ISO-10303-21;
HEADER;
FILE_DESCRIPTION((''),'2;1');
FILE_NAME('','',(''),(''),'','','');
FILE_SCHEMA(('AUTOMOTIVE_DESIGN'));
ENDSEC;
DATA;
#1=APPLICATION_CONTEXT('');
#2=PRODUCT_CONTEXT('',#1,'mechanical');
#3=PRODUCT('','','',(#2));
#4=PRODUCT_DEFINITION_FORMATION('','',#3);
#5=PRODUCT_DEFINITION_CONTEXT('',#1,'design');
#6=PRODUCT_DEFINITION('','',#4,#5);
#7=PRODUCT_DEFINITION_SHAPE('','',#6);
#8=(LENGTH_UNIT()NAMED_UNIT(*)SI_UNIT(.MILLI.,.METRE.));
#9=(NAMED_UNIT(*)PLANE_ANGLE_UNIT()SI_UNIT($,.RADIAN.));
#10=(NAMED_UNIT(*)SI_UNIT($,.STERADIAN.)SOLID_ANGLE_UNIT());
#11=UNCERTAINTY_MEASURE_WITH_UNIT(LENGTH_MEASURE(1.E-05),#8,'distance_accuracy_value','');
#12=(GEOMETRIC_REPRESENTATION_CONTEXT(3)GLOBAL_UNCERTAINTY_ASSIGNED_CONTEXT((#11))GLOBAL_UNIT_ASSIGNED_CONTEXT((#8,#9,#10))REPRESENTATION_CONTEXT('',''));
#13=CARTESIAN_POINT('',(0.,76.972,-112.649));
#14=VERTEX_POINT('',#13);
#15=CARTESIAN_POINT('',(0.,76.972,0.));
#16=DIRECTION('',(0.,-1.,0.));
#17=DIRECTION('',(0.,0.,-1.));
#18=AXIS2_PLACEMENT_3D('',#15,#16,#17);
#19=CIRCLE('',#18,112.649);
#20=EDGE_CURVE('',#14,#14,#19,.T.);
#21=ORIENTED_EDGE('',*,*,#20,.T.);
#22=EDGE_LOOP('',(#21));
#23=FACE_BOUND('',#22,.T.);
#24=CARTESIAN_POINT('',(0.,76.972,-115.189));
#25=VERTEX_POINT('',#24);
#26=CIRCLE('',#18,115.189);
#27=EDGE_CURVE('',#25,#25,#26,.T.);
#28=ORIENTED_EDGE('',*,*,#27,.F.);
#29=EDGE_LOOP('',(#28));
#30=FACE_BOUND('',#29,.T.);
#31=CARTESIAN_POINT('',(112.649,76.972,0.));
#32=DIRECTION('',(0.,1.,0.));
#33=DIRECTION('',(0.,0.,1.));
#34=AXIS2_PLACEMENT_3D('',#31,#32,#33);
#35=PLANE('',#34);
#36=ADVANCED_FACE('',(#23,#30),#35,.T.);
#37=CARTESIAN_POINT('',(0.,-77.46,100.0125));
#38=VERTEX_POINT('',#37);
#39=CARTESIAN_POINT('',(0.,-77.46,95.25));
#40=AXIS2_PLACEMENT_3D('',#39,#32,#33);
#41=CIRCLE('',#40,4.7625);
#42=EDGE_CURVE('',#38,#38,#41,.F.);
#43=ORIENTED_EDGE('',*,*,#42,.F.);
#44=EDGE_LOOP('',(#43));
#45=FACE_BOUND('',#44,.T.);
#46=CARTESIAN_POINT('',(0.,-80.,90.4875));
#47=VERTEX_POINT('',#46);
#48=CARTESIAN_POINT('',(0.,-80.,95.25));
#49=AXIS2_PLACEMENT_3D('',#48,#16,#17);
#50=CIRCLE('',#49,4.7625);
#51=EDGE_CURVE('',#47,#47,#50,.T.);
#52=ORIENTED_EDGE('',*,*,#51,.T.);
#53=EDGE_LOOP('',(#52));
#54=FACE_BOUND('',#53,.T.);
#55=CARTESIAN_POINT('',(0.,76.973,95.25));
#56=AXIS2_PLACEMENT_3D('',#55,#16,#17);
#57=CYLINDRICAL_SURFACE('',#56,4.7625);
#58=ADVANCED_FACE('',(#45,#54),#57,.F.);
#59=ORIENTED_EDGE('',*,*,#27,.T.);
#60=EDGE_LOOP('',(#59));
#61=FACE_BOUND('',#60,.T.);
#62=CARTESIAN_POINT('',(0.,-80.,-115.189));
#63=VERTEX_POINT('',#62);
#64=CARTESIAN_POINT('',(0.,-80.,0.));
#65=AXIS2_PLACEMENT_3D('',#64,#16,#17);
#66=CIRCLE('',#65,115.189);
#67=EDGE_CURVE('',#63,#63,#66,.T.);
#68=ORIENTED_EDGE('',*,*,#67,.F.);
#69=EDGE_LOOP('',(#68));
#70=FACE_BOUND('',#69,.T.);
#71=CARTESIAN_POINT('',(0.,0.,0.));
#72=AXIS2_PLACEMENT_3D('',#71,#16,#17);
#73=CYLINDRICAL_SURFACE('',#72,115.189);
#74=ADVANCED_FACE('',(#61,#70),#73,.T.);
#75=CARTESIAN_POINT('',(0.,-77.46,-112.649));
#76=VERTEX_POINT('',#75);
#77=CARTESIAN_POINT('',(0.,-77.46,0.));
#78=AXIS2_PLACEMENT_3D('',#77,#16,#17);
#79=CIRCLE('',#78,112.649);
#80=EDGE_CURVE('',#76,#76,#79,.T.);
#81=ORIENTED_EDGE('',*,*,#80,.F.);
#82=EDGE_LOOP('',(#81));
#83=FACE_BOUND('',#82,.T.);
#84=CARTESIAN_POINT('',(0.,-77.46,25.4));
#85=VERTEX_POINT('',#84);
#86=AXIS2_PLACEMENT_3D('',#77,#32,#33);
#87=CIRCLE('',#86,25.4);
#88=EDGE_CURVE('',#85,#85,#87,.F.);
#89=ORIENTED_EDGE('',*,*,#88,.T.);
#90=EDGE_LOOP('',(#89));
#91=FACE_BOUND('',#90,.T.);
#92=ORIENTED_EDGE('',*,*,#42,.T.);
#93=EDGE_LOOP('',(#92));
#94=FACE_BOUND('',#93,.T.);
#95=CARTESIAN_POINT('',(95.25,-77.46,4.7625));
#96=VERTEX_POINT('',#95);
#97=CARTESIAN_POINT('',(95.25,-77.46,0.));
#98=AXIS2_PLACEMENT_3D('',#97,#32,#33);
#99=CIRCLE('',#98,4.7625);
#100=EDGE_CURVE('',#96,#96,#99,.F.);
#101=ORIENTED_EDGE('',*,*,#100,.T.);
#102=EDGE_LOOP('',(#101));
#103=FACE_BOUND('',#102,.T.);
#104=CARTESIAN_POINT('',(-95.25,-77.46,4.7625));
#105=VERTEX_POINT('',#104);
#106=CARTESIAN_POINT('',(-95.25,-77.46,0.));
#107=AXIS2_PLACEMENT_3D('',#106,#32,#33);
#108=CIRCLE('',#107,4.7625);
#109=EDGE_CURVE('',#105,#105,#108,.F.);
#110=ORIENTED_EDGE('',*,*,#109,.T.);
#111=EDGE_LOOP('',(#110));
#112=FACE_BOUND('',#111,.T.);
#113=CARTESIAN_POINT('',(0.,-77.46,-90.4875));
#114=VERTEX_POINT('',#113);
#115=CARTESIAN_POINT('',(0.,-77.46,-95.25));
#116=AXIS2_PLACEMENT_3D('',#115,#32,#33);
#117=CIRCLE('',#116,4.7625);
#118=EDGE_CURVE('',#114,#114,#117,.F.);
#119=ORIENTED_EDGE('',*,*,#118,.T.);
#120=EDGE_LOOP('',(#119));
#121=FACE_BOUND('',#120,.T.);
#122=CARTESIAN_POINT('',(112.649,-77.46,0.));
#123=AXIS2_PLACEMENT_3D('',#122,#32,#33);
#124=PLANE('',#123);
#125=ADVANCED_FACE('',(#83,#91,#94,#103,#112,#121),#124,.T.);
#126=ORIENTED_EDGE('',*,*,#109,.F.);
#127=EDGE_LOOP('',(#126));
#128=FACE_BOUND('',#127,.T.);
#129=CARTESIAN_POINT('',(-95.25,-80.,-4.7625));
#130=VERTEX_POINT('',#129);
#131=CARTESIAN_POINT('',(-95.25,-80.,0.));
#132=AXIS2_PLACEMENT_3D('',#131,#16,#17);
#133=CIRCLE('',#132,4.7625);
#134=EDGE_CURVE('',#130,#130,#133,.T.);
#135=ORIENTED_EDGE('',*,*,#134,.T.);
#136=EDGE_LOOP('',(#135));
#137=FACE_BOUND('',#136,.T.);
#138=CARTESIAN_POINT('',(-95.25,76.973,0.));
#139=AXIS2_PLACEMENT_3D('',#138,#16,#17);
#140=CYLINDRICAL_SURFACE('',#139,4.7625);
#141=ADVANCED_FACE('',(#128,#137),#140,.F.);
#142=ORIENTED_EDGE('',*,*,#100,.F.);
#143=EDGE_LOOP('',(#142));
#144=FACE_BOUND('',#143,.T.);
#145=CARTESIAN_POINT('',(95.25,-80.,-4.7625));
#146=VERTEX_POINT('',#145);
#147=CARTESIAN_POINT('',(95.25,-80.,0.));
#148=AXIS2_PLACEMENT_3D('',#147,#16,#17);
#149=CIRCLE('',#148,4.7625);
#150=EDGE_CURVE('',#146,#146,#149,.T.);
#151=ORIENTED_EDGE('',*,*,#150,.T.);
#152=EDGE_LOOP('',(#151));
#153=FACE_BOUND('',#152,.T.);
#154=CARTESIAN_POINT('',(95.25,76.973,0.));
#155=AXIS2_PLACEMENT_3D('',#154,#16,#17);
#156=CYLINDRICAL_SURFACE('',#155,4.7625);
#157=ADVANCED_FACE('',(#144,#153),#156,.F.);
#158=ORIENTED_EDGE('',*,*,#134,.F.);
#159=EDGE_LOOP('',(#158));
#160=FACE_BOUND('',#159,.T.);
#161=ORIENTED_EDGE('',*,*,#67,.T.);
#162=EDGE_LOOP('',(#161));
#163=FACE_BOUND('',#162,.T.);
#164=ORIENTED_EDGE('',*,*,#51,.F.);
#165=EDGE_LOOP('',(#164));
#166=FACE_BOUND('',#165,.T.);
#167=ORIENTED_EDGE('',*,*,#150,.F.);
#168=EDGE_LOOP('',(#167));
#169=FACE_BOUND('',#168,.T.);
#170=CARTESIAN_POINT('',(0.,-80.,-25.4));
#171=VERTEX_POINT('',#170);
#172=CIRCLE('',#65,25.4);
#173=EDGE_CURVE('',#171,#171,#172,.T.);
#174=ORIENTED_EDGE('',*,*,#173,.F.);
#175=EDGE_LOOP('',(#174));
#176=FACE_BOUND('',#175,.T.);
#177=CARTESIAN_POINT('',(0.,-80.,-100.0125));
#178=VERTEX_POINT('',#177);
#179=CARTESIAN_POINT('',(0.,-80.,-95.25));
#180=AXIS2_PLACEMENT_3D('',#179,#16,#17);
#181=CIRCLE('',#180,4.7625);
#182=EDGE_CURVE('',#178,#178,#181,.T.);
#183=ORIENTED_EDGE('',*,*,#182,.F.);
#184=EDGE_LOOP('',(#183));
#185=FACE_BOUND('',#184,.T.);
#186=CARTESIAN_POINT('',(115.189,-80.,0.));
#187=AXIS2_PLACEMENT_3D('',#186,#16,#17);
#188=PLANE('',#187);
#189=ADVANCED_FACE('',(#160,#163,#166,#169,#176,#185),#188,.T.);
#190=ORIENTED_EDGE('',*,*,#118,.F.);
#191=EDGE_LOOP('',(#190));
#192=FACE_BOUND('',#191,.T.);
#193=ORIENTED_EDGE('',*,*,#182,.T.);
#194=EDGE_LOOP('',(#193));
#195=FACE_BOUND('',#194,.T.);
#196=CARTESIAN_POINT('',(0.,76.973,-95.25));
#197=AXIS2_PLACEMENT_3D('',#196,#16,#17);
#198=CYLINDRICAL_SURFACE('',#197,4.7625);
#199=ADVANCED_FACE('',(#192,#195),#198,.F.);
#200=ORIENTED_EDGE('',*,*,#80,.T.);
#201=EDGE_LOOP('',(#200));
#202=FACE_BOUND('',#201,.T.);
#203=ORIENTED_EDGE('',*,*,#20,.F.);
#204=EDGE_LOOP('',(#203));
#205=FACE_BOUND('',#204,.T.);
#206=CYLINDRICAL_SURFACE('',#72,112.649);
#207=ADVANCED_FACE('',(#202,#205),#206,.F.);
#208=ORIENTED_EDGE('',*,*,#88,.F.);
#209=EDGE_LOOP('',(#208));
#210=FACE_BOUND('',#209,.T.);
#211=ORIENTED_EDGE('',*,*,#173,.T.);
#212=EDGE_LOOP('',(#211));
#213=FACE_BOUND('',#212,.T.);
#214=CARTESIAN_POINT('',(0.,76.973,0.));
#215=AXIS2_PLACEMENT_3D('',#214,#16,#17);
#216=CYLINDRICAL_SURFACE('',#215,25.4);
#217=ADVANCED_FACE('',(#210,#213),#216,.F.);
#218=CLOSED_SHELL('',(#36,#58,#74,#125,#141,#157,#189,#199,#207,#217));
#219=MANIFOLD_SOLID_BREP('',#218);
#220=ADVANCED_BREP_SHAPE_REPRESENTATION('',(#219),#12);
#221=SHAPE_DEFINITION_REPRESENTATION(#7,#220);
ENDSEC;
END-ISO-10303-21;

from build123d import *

# Parameters (mm, degrees)
CUT_EXTRUDE2_REACH = 228.224
MOTOR_HOLE_R       = 25.4
MOTOR_HOLE_R_2     = 4.7625


with BuildPart() as part:
    # Compartment → Revolve1 (revolve)
    with BuildSketch(Plane.XY, mode=Mode.PRIVATE) as revolve1_sk:
        Polygon((115.189, -80), (0, -80), (0, -77.46), (112.649, -77.46), (112.649, 76.972), (115.189, 76.972), align=None)
    revolve(revolve1_sk.sketch.rotate(Axis((0, 0, 0), (0, 1, 0)), 90), axis=Axis((0, 0, 0), (0, 1, 0)))

    # Motor Hole → Cut-Extrude2 (cut, up to next)
    with BuildSketch(Plane.XZ.offset(80), mode=Mode.PRIVATE) as cut_extrude2_sk1:
        with Locations(Location((0, 0, 0), (0, 0, 270))):
            Circle(MOTOR_HOLE_R)
    cut_extrude2_tool1 = extrude(cut_extrude2_sk1.sketch, amount=-CUT_EXTRUDE2_REACH, mode=Mode.PRIVATE) & part.part
    # Motor Hole → Cut-Extrude2 (cut, up to next)
    with BuildSketch(Plane.XZ.offset(80), mode=Mode.PRIVATE) as cut_extrude2_sk2:
        with Locations(Location((0, 95.25, 0), (0, 0, 270))):
            Circle(MOTOR_HOLE_R_2)
    cut_extrude2_tool2 = extrude(cut_extrude2_sk2.sketch, amount=-CUT_EXTRUDE2_REACH, mode=Mode.PRIVATE) & part.part
    # Motor Hole → Cut-Extrude2 (cut, up to next)
    with BuildSketch(Plane.XZ.offset(80), mode=Mode.PRIVATE) as cut_extrude2_sk3:
        with Locations(Location((95.25, 0, 0), (0, 0, 270))):
            Circle(MOTOR_HOLE_R_2)
    cut_extrude2_tool3 = extrude(cut_extrude2_sk3.sketch, amount=-CUT_EXTRUDE2_REACH, mode=Mode.PRIVATE) & part.part
    # Motor Hole → Cut-Extrude2 (cut, up to next)
    with BuildSketch(Plane.XZ.offset(80), mode=Mode.PRIVATE) as cut_extrude2_sk4:
        with Locations(Location((0, -95.25, 0), (0, 0, 270))):
            Circle(MOTOR_HOLE_R_2)
    cut_extrude2_tool4 = extrude(cut_extrude2_sk4.sketch, amount=-CUT_EXTRUDE2_REACH, mode=Mode.PRIVATE) & part.part
    # Motor Hole → Cut-Extrude2 (cut, up to next)
    with BuildSketch(Plane.XZ.offset(80), mode=Mode.PRIVATE) as cut_extrude2_sk5:
        with Locations(Location((-95.25, 0, 0), (0, 0, 270))):
            Circle(MOTOR_HOLE_R_2)
    cut_extrude2_tool5 = extrude(cut_extrude2_sk5.sketch, amount=-CUT_EXTRUDE2_REACH, mode=Mode.PRIVATE) & part.part
    add(cut_extrude2_tool1.solids().sort_by_distance((0, -80, 0))[0], mode=Mode.SUBTRACT)
    add(cut_extrude2_tool2.solids().sort_by_distance((0, -80, 95.25))[0], mode=Mode.SUBTRACT)
    add(cut_extrude2_tool3.solids().sort_by_distance((95.25, -80, 0))[0], mode=Mode.SUBTRACT)
    add(cut_extrude2_tool4.solids().sort_by_distance((0, -80, -95.25))[0], mode=Mode.SUBTRACT)
    add(cut_extrude2_tool5.solids().sort_by_distance((-95.25, -80, 0))[0], mode=Mode.SUBTRACT)


solid = part.part
